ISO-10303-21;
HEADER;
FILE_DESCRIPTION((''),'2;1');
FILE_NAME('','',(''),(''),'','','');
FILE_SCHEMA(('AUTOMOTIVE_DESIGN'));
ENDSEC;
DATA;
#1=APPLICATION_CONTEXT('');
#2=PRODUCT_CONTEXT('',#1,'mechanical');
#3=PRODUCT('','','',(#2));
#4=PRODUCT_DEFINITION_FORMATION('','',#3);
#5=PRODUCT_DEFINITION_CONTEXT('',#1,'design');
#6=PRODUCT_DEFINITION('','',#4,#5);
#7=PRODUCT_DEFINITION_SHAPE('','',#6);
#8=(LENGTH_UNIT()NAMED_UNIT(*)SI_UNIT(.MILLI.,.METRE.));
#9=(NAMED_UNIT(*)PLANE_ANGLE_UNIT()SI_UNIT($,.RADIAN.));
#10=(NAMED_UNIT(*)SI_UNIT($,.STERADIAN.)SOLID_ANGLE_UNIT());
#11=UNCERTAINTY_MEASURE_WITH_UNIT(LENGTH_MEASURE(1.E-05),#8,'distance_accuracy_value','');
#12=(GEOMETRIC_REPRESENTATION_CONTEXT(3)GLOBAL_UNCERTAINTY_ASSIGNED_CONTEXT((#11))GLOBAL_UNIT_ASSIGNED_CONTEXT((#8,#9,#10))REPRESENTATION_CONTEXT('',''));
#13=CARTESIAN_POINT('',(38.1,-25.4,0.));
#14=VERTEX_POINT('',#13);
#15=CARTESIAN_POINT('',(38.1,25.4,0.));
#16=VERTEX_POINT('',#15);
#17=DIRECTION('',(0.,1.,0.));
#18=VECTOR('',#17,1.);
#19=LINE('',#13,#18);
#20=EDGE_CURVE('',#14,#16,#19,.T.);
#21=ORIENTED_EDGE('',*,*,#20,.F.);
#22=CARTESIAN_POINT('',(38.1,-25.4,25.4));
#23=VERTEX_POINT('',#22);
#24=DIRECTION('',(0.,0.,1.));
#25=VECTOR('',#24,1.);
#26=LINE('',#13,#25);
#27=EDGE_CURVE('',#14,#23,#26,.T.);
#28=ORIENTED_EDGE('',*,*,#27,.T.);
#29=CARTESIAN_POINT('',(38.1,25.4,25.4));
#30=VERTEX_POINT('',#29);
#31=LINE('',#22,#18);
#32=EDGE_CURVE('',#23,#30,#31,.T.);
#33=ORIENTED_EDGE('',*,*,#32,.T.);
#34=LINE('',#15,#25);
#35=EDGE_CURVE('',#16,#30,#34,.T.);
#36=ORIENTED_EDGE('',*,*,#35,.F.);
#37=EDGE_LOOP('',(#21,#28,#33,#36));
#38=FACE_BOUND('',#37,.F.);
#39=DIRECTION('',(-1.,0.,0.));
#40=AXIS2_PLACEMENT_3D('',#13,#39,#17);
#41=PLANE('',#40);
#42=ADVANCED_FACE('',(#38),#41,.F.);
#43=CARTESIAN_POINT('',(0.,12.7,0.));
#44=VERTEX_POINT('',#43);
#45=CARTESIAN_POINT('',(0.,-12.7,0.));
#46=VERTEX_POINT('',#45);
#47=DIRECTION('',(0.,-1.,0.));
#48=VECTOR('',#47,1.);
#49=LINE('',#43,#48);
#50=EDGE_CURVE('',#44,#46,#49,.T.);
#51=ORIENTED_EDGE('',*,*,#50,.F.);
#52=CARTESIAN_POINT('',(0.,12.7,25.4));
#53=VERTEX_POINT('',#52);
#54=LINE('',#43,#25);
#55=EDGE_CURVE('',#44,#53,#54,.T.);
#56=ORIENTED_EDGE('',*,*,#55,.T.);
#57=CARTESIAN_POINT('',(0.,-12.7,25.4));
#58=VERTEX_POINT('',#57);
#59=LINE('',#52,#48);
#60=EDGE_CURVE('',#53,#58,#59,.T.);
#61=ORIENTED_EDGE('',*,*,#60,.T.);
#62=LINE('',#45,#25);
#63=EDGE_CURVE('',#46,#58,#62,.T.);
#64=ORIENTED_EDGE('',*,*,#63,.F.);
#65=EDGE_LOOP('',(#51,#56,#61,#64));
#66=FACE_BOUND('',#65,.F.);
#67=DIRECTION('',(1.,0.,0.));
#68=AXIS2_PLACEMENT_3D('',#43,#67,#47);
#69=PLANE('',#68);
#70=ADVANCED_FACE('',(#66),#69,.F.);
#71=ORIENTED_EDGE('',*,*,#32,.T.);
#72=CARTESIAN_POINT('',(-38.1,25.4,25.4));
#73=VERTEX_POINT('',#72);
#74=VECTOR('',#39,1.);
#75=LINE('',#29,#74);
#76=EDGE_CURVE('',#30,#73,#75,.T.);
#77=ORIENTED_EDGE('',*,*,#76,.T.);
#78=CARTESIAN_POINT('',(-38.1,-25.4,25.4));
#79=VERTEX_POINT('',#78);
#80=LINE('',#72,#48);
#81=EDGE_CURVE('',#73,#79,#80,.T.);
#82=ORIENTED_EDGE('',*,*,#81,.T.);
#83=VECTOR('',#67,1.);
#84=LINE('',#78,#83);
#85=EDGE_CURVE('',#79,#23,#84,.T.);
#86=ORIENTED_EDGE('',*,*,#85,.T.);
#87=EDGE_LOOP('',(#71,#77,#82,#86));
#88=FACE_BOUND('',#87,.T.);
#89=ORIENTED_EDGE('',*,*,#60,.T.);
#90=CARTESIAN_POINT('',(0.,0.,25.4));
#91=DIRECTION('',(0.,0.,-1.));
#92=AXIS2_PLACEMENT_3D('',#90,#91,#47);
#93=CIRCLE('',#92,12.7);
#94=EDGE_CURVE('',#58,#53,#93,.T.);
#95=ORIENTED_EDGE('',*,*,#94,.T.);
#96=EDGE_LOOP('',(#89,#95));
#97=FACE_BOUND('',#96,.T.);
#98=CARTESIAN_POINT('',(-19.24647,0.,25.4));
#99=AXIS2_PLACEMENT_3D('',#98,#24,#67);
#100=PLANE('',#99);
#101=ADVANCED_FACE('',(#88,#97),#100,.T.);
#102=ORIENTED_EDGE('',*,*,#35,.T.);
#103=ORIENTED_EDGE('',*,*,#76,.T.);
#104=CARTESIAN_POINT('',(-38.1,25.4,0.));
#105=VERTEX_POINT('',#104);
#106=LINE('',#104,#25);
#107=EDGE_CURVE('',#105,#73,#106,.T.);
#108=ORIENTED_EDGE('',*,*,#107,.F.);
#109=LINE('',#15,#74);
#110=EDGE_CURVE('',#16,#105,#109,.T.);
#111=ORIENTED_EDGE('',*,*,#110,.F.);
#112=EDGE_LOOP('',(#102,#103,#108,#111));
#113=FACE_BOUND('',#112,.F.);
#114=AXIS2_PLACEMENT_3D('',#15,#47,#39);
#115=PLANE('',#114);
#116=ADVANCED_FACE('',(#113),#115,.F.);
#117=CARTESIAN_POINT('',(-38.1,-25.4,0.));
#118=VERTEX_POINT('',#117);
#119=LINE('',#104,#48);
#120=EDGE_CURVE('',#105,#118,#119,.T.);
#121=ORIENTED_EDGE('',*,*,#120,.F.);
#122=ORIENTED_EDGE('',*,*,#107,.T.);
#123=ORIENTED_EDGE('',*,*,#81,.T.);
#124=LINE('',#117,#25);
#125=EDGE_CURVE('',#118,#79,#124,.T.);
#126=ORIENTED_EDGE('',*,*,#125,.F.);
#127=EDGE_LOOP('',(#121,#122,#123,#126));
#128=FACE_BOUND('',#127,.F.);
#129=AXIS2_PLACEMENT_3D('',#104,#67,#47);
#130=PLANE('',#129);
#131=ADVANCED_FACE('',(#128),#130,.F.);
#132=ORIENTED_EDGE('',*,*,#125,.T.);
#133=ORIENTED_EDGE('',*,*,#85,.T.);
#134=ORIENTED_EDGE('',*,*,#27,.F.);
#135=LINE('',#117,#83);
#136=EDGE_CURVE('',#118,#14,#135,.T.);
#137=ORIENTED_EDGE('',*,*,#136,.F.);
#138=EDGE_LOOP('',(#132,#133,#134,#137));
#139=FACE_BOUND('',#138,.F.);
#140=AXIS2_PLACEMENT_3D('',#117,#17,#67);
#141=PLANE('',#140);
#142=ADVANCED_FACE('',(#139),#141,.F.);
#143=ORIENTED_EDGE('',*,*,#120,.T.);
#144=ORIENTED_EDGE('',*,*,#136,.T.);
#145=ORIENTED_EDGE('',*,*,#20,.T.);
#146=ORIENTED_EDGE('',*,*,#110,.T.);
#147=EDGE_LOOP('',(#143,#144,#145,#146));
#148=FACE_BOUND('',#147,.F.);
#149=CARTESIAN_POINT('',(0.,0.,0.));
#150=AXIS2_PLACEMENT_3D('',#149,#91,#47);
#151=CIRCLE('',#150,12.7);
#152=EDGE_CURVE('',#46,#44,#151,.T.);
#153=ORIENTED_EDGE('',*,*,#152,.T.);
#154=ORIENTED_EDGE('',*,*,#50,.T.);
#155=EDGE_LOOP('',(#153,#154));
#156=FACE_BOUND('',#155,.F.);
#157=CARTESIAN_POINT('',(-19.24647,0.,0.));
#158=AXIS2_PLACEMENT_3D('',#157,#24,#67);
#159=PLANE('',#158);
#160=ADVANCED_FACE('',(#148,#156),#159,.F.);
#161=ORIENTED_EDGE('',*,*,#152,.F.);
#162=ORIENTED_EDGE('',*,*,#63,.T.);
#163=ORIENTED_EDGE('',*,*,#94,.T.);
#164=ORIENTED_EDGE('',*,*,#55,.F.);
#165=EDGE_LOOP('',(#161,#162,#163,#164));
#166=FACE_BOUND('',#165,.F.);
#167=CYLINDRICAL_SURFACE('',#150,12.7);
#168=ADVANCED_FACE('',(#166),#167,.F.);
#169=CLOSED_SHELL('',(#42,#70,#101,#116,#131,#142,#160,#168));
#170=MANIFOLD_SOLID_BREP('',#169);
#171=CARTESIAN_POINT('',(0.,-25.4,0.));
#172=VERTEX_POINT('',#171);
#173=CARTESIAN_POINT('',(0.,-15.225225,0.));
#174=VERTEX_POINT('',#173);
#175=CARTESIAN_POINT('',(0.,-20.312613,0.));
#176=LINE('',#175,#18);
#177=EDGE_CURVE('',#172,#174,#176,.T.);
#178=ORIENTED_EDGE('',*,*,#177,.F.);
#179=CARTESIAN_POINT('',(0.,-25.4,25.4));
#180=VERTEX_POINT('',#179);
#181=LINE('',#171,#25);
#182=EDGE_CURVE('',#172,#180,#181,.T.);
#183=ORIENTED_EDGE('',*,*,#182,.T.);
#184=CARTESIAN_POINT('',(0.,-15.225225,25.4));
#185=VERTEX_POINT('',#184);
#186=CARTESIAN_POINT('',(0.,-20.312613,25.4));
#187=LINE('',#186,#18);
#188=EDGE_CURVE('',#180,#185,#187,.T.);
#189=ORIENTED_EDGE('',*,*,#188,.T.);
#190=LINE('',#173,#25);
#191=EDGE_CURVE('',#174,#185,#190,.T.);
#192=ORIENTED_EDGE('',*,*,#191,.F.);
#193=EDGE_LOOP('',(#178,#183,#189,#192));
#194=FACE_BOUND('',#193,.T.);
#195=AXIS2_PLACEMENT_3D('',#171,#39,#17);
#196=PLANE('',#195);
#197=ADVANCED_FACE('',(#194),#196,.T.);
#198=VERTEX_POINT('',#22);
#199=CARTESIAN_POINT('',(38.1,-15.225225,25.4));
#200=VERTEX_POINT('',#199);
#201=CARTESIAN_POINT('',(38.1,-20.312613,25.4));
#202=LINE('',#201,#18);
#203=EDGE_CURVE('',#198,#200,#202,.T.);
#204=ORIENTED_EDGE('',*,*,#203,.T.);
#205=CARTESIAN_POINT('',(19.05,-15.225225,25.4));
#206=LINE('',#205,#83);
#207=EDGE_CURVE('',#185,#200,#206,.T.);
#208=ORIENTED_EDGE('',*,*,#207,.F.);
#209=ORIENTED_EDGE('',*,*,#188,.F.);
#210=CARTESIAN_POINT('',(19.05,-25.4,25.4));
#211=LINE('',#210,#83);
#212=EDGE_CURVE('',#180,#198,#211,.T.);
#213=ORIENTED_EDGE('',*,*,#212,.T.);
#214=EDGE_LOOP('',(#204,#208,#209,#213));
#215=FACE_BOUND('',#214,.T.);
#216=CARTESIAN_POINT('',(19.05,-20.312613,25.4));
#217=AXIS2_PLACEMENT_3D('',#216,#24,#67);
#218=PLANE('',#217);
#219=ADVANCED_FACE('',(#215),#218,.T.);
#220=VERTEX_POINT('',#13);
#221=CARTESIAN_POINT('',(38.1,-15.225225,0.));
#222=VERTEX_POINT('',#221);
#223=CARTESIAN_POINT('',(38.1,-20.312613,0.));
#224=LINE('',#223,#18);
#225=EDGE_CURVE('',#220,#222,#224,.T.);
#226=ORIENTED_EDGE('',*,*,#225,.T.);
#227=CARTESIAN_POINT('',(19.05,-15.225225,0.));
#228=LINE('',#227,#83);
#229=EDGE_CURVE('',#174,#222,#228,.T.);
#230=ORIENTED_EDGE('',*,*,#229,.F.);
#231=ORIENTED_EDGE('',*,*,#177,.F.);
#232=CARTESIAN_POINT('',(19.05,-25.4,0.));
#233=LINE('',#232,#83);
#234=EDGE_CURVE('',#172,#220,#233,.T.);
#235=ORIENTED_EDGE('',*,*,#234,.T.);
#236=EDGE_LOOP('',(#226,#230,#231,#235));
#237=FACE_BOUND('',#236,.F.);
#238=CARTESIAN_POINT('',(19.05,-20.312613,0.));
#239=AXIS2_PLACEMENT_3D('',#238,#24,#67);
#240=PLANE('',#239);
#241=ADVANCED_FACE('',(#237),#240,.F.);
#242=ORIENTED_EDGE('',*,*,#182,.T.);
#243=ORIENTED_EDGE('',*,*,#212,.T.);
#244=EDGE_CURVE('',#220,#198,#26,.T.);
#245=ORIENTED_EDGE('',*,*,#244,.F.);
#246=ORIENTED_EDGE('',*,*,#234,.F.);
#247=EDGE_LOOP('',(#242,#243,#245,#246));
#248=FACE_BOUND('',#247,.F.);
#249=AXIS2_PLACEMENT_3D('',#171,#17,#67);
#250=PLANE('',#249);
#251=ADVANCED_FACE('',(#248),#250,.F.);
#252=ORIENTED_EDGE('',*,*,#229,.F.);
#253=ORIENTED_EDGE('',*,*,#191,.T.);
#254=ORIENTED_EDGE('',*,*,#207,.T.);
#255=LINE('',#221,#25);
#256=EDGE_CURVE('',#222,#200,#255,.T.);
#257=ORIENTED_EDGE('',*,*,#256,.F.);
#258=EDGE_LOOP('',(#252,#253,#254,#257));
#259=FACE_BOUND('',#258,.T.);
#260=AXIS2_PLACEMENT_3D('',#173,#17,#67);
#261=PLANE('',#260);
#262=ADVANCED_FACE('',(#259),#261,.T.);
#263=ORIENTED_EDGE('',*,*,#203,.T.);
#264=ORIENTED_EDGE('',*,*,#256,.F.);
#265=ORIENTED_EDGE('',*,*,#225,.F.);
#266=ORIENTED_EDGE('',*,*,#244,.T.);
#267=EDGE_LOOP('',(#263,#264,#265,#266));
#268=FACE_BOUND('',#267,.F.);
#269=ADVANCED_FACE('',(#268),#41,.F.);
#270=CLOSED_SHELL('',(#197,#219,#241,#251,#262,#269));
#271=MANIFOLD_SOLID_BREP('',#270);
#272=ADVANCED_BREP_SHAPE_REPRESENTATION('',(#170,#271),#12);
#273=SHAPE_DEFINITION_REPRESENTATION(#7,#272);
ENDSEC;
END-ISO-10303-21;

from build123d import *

# Parameters (mm, degrees)
F1_W     = 38.1
F1_H     = 10.1747748718
F2_DEPTH = 25.4


with BuildPart() as f2:
    # F1 (on face) → F2 (new body)
    with BuildSketch(Plane.XY):
        with Locations((19.05, -20.3126125641)):
            Rectangle(F1_W, F1_H)
    extrude(amount=F2_DEPTH)


with BuildPart() as f2b:
    # F0 (on Top) → F2, piece 2 (new body)
    with BuildSketch(Plane.XY):
        with BuildLine():
            Line((-38.1, -25.4), (0, -25.4))
            Line((0, -25.4), (0, -12.7))
            ThreePointArc((0, -12.7), (-12.7, 0), (0, 12.7))
            Line((0, 12.7), (0, 25.4))
            Line((0, 25.4), (-38.1, 25.4))
            Line((-38.1, 25.4), (-38.1, -25.4))
        make_face()
        with BuildLine():
            Line((0, -12.7), (0, -25.4))
            Line((0, -25.4), (38.1, -25.4))
            Line((38.1, -25.4), (38.1, 25.4))
            Line((38.1, 25.4), (0, 25.4))
            Line((0, 25.4), (0, 12.7))
            ThreePointArc((0, 12.7), (8.9802561211, 8.9802561211), (12.7, 0))
            ThreePointArc((12.7, 0), (8.9802561211, -8.9802561211), (0, -12.7))
        make_face()
        with BuildLine():
            Line((0, 12.7), (0, -12.7))
            ThreePointArc((0, -12.7), (8.9802561211, -8.9802561211), (12.7, 0))
            ThreePointArc((12.7, 0), (8.9802561211, 8.9802561211), (0, 12.7))
        make_face()
    extrude(amount=F2_DEPTH)


solid = Compound([f2.part, f2b.part])
